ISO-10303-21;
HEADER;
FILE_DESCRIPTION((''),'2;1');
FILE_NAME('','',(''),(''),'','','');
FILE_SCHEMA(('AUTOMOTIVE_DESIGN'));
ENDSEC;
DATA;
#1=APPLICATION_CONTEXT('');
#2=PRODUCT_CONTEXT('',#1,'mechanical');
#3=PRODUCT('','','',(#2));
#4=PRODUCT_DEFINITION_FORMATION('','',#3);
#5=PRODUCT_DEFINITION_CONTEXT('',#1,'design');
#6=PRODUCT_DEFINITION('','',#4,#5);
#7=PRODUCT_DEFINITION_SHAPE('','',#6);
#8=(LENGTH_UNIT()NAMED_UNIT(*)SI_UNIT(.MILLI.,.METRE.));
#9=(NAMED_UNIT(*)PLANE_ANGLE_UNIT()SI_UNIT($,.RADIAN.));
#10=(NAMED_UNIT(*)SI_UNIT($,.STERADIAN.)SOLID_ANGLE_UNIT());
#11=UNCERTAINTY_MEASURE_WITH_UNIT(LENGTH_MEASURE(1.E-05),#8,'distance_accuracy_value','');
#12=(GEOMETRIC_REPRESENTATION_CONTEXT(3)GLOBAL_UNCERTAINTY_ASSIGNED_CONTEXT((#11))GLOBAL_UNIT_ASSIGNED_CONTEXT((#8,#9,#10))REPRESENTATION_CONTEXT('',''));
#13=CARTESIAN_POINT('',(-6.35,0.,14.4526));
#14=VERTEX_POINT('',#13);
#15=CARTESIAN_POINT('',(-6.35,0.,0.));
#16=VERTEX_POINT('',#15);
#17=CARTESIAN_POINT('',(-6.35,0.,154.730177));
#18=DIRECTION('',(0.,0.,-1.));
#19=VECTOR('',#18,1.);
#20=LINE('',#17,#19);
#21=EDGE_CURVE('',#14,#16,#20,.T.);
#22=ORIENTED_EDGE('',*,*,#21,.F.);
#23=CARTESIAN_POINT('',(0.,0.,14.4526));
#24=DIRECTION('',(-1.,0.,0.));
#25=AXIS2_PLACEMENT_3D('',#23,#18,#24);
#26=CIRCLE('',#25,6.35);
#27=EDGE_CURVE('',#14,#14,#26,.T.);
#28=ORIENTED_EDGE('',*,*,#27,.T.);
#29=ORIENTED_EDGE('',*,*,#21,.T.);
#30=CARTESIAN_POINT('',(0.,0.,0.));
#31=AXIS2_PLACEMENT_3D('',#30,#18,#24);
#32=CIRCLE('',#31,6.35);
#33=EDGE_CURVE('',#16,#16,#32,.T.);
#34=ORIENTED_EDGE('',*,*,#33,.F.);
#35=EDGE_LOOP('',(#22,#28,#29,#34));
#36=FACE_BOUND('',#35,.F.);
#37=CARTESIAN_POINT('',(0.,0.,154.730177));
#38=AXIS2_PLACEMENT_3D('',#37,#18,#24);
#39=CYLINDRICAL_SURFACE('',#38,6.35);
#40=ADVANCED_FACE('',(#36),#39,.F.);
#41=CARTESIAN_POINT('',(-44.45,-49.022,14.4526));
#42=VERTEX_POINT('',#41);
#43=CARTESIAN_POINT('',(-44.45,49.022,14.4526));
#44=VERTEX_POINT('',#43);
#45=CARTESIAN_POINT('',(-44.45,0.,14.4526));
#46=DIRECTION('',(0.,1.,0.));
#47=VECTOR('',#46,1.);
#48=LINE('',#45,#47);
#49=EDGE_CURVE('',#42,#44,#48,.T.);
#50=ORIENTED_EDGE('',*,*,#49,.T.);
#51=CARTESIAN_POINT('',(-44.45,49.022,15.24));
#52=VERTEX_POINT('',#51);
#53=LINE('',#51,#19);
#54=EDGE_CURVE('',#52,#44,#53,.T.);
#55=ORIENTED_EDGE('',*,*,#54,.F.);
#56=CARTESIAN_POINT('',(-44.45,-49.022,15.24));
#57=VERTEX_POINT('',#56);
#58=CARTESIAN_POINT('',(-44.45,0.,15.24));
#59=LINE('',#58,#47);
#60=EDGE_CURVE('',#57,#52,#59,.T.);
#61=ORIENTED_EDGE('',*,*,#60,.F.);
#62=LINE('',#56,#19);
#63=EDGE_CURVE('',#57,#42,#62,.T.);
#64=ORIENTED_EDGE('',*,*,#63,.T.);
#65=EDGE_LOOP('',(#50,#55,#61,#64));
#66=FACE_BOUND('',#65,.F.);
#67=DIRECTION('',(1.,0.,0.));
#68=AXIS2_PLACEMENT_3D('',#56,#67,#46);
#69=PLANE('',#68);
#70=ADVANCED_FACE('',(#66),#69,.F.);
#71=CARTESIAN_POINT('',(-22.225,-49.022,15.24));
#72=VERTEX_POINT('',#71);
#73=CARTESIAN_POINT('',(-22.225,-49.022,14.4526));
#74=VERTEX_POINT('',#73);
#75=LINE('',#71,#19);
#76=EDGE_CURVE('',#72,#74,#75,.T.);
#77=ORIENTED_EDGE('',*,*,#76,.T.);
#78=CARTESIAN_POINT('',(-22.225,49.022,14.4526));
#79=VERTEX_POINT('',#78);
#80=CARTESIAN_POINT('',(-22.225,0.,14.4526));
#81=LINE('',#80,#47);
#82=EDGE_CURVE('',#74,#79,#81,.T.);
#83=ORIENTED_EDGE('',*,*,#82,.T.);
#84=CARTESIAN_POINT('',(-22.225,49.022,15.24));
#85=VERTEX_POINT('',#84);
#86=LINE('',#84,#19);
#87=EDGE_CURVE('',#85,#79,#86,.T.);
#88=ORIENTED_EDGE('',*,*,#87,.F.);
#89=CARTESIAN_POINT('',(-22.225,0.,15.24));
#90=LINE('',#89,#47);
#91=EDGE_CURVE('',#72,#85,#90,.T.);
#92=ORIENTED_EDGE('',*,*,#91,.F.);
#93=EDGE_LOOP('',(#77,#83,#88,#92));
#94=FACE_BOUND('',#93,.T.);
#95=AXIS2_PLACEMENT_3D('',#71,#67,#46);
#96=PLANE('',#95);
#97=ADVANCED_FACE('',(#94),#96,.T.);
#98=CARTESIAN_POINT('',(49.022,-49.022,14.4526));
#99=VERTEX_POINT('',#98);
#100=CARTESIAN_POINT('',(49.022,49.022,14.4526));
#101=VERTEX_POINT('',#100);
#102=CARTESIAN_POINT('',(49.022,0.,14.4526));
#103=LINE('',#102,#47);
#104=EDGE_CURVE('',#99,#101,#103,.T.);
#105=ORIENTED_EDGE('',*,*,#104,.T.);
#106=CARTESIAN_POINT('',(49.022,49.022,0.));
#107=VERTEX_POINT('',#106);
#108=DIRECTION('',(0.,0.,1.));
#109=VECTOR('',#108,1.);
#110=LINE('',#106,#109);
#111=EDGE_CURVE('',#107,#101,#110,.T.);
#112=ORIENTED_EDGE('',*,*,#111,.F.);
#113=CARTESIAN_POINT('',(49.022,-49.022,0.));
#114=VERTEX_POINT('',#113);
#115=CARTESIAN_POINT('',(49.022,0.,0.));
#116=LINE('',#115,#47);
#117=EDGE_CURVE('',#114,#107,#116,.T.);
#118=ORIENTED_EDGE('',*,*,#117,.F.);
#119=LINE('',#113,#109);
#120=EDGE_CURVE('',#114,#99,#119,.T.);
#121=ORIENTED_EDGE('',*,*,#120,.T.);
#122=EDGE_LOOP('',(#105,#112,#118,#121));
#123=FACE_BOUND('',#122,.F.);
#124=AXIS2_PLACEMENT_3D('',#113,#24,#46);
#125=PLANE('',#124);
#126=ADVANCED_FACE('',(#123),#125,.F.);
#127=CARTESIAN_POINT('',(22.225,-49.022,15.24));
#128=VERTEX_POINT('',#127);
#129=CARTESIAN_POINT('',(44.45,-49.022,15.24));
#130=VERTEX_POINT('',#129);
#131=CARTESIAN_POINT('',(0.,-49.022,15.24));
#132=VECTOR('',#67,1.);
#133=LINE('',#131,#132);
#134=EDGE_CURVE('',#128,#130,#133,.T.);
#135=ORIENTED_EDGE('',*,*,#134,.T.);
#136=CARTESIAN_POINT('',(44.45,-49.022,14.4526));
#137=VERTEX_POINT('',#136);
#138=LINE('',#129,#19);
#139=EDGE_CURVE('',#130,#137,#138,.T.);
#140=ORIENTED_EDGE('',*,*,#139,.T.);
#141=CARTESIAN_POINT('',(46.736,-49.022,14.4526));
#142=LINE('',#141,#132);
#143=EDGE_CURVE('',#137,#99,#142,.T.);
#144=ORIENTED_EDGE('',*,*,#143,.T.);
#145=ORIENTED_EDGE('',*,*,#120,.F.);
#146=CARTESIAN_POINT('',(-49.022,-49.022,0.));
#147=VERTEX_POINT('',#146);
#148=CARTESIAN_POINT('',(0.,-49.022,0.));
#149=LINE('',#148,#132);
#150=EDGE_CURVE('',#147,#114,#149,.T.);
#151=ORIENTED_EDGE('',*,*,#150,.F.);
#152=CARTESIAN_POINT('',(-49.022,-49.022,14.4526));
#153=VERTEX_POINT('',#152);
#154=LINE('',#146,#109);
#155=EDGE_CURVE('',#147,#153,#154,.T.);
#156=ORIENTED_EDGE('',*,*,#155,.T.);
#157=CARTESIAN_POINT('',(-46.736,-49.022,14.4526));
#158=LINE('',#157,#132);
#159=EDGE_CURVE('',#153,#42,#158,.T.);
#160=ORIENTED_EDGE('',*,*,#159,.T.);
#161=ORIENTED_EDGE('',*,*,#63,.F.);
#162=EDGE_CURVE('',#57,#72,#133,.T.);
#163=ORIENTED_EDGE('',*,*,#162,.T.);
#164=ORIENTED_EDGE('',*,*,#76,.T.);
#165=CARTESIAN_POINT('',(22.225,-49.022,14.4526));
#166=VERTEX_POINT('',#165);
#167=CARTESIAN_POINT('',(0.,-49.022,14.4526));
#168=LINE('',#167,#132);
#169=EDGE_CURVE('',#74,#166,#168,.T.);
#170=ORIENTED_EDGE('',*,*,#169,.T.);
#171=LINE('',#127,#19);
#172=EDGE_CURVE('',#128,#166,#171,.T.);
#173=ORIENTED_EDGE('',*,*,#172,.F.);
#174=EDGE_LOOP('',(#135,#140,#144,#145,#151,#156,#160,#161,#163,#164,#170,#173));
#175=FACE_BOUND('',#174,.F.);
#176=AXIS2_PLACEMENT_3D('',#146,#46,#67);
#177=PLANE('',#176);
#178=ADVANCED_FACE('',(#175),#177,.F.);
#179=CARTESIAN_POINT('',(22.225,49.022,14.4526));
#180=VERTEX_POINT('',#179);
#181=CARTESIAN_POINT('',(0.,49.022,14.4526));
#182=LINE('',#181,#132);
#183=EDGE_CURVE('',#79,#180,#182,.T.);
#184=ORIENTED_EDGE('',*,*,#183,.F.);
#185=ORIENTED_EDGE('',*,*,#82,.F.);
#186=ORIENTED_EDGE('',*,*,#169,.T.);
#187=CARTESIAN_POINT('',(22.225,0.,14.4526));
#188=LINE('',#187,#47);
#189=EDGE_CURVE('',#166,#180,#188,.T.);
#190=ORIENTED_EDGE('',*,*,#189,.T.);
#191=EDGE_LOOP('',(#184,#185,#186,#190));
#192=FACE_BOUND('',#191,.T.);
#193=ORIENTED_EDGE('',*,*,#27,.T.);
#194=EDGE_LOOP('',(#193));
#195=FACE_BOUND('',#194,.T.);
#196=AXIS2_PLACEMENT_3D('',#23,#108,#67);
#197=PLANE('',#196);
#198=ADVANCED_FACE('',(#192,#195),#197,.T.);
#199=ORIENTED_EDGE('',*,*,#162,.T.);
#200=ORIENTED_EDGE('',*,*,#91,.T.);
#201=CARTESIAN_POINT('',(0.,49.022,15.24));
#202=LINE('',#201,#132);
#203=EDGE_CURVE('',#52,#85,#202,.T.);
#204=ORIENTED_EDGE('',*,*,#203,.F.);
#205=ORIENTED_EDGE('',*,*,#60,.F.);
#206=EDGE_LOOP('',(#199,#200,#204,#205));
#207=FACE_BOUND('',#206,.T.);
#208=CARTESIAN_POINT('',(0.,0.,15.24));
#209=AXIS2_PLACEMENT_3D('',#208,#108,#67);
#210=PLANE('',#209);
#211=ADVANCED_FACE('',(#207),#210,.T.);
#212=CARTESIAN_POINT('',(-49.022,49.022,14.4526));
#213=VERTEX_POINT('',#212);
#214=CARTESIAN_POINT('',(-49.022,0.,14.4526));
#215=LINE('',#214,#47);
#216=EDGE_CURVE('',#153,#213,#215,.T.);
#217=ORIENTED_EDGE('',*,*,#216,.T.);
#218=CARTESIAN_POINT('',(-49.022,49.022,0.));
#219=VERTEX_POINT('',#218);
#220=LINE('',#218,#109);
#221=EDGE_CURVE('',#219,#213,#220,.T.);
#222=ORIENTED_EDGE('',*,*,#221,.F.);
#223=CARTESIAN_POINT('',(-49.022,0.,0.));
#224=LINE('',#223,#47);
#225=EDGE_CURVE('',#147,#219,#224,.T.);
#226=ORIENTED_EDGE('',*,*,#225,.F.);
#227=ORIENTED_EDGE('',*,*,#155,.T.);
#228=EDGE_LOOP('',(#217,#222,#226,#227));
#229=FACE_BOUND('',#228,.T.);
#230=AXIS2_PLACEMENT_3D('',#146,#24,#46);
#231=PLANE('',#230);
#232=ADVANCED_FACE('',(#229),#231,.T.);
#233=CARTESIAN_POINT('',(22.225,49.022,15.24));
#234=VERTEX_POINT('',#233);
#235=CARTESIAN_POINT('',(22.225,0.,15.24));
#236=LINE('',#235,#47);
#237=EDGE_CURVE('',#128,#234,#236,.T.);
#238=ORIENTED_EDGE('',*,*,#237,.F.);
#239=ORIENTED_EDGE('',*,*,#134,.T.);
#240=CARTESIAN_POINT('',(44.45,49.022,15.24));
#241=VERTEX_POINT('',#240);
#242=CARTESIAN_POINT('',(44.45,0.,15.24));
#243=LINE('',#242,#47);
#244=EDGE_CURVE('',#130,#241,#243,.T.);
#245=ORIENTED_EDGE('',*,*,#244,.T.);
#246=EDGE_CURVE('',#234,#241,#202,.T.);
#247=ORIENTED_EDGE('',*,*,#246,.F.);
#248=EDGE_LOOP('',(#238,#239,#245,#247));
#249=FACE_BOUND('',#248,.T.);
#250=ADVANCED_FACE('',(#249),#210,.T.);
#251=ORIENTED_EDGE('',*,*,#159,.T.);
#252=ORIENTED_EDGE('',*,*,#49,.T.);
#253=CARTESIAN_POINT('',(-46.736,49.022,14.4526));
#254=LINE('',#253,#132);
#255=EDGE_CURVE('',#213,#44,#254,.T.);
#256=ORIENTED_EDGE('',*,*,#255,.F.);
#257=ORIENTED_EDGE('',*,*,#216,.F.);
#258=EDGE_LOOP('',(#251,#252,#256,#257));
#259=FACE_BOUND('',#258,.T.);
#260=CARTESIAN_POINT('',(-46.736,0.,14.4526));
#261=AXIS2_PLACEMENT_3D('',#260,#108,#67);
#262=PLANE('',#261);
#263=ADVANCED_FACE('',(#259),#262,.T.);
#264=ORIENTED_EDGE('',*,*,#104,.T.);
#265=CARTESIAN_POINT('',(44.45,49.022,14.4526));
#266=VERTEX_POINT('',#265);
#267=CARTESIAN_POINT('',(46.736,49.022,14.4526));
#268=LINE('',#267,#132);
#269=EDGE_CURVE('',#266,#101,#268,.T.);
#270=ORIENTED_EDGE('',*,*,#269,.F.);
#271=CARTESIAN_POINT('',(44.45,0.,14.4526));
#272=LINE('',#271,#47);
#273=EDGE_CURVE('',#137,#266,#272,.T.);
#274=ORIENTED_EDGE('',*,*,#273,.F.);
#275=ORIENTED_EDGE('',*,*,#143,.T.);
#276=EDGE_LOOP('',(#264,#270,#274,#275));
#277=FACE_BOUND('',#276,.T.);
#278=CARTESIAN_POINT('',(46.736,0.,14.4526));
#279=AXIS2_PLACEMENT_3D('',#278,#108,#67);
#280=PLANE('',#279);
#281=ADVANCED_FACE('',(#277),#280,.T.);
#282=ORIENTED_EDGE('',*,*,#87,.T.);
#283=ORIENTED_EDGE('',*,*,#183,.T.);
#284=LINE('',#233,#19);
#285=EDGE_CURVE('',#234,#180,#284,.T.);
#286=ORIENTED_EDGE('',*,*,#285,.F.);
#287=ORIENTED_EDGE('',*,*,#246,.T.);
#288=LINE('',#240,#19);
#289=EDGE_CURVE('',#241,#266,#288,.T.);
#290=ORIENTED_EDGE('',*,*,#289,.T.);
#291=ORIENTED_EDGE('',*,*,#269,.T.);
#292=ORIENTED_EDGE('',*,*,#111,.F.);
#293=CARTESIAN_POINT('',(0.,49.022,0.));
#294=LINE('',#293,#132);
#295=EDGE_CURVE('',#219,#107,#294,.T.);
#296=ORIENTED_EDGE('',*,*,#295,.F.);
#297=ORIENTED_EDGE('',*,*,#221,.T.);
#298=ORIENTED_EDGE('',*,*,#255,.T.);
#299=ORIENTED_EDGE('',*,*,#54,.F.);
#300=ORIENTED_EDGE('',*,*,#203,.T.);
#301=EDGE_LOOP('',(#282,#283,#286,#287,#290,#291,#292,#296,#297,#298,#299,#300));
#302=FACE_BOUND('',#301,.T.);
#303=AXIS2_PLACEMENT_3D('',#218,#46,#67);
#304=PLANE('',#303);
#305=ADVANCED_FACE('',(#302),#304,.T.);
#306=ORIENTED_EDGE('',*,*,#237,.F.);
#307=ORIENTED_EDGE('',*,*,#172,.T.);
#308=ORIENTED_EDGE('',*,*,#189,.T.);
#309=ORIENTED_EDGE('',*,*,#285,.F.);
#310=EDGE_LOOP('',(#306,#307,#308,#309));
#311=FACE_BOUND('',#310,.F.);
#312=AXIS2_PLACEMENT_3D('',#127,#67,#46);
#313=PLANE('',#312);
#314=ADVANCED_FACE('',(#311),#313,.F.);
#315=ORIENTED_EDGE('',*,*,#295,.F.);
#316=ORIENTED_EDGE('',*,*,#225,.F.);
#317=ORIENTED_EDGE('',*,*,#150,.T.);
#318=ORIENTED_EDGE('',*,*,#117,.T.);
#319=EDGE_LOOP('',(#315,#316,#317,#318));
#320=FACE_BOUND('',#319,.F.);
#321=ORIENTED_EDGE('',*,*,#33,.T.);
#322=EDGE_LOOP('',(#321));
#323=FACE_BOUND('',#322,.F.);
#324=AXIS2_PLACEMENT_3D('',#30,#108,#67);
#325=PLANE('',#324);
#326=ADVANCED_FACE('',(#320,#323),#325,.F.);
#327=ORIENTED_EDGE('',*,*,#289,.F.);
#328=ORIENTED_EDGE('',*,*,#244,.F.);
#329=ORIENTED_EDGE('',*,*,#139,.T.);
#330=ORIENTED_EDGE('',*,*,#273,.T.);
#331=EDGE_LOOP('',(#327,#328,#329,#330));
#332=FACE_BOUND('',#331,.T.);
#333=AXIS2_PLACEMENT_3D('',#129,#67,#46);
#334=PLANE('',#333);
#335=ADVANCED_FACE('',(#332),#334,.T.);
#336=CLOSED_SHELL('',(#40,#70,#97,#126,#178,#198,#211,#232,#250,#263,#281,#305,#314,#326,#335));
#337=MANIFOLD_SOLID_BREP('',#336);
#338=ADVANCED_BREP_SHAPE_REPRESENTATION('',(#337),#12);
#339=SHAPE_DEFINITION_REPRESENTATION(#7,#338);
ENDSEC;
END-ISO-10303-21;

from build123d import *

# Parameters (mm, degrees)
F0_W     = 98.044
F0_H     = 98.044
F1_DEPTH = 15.24
F3_D     = 12.7
F2_W     = 4.572
F2_H     = 98.044
F2_W_2   = 44.45
F4_DEPTH = 0.7874


with BuildPart() as f1:
    # F0 (on Top) → F1 (new body)
    with BuildSketch(Plane.XY):
        Rectangle(F0_W, F0_H)
    extrude(amount=F1_DEPTH)

    # F3 (through all)
    with Locations(Plane.XY.offset(15.24)):
        with Locations((0, 0)):
            Hole(F3_D / 2)

    # F2 (on face) → F4 (cut)
    with BuildSketch(Plane.XY.offset(15.24)):
        with Locations((-46.736, 0)):
            Rectangle(F2_W, F2_H)
        with Locations((46.736, 0)):
            Rectangle(F2_W, F2_H)
        Rectangle(F2_W_2, F2_H)
    extrude(amount=-F4_DEPTH, mode=Mode.SUBTRACT)


solid = f1.part
